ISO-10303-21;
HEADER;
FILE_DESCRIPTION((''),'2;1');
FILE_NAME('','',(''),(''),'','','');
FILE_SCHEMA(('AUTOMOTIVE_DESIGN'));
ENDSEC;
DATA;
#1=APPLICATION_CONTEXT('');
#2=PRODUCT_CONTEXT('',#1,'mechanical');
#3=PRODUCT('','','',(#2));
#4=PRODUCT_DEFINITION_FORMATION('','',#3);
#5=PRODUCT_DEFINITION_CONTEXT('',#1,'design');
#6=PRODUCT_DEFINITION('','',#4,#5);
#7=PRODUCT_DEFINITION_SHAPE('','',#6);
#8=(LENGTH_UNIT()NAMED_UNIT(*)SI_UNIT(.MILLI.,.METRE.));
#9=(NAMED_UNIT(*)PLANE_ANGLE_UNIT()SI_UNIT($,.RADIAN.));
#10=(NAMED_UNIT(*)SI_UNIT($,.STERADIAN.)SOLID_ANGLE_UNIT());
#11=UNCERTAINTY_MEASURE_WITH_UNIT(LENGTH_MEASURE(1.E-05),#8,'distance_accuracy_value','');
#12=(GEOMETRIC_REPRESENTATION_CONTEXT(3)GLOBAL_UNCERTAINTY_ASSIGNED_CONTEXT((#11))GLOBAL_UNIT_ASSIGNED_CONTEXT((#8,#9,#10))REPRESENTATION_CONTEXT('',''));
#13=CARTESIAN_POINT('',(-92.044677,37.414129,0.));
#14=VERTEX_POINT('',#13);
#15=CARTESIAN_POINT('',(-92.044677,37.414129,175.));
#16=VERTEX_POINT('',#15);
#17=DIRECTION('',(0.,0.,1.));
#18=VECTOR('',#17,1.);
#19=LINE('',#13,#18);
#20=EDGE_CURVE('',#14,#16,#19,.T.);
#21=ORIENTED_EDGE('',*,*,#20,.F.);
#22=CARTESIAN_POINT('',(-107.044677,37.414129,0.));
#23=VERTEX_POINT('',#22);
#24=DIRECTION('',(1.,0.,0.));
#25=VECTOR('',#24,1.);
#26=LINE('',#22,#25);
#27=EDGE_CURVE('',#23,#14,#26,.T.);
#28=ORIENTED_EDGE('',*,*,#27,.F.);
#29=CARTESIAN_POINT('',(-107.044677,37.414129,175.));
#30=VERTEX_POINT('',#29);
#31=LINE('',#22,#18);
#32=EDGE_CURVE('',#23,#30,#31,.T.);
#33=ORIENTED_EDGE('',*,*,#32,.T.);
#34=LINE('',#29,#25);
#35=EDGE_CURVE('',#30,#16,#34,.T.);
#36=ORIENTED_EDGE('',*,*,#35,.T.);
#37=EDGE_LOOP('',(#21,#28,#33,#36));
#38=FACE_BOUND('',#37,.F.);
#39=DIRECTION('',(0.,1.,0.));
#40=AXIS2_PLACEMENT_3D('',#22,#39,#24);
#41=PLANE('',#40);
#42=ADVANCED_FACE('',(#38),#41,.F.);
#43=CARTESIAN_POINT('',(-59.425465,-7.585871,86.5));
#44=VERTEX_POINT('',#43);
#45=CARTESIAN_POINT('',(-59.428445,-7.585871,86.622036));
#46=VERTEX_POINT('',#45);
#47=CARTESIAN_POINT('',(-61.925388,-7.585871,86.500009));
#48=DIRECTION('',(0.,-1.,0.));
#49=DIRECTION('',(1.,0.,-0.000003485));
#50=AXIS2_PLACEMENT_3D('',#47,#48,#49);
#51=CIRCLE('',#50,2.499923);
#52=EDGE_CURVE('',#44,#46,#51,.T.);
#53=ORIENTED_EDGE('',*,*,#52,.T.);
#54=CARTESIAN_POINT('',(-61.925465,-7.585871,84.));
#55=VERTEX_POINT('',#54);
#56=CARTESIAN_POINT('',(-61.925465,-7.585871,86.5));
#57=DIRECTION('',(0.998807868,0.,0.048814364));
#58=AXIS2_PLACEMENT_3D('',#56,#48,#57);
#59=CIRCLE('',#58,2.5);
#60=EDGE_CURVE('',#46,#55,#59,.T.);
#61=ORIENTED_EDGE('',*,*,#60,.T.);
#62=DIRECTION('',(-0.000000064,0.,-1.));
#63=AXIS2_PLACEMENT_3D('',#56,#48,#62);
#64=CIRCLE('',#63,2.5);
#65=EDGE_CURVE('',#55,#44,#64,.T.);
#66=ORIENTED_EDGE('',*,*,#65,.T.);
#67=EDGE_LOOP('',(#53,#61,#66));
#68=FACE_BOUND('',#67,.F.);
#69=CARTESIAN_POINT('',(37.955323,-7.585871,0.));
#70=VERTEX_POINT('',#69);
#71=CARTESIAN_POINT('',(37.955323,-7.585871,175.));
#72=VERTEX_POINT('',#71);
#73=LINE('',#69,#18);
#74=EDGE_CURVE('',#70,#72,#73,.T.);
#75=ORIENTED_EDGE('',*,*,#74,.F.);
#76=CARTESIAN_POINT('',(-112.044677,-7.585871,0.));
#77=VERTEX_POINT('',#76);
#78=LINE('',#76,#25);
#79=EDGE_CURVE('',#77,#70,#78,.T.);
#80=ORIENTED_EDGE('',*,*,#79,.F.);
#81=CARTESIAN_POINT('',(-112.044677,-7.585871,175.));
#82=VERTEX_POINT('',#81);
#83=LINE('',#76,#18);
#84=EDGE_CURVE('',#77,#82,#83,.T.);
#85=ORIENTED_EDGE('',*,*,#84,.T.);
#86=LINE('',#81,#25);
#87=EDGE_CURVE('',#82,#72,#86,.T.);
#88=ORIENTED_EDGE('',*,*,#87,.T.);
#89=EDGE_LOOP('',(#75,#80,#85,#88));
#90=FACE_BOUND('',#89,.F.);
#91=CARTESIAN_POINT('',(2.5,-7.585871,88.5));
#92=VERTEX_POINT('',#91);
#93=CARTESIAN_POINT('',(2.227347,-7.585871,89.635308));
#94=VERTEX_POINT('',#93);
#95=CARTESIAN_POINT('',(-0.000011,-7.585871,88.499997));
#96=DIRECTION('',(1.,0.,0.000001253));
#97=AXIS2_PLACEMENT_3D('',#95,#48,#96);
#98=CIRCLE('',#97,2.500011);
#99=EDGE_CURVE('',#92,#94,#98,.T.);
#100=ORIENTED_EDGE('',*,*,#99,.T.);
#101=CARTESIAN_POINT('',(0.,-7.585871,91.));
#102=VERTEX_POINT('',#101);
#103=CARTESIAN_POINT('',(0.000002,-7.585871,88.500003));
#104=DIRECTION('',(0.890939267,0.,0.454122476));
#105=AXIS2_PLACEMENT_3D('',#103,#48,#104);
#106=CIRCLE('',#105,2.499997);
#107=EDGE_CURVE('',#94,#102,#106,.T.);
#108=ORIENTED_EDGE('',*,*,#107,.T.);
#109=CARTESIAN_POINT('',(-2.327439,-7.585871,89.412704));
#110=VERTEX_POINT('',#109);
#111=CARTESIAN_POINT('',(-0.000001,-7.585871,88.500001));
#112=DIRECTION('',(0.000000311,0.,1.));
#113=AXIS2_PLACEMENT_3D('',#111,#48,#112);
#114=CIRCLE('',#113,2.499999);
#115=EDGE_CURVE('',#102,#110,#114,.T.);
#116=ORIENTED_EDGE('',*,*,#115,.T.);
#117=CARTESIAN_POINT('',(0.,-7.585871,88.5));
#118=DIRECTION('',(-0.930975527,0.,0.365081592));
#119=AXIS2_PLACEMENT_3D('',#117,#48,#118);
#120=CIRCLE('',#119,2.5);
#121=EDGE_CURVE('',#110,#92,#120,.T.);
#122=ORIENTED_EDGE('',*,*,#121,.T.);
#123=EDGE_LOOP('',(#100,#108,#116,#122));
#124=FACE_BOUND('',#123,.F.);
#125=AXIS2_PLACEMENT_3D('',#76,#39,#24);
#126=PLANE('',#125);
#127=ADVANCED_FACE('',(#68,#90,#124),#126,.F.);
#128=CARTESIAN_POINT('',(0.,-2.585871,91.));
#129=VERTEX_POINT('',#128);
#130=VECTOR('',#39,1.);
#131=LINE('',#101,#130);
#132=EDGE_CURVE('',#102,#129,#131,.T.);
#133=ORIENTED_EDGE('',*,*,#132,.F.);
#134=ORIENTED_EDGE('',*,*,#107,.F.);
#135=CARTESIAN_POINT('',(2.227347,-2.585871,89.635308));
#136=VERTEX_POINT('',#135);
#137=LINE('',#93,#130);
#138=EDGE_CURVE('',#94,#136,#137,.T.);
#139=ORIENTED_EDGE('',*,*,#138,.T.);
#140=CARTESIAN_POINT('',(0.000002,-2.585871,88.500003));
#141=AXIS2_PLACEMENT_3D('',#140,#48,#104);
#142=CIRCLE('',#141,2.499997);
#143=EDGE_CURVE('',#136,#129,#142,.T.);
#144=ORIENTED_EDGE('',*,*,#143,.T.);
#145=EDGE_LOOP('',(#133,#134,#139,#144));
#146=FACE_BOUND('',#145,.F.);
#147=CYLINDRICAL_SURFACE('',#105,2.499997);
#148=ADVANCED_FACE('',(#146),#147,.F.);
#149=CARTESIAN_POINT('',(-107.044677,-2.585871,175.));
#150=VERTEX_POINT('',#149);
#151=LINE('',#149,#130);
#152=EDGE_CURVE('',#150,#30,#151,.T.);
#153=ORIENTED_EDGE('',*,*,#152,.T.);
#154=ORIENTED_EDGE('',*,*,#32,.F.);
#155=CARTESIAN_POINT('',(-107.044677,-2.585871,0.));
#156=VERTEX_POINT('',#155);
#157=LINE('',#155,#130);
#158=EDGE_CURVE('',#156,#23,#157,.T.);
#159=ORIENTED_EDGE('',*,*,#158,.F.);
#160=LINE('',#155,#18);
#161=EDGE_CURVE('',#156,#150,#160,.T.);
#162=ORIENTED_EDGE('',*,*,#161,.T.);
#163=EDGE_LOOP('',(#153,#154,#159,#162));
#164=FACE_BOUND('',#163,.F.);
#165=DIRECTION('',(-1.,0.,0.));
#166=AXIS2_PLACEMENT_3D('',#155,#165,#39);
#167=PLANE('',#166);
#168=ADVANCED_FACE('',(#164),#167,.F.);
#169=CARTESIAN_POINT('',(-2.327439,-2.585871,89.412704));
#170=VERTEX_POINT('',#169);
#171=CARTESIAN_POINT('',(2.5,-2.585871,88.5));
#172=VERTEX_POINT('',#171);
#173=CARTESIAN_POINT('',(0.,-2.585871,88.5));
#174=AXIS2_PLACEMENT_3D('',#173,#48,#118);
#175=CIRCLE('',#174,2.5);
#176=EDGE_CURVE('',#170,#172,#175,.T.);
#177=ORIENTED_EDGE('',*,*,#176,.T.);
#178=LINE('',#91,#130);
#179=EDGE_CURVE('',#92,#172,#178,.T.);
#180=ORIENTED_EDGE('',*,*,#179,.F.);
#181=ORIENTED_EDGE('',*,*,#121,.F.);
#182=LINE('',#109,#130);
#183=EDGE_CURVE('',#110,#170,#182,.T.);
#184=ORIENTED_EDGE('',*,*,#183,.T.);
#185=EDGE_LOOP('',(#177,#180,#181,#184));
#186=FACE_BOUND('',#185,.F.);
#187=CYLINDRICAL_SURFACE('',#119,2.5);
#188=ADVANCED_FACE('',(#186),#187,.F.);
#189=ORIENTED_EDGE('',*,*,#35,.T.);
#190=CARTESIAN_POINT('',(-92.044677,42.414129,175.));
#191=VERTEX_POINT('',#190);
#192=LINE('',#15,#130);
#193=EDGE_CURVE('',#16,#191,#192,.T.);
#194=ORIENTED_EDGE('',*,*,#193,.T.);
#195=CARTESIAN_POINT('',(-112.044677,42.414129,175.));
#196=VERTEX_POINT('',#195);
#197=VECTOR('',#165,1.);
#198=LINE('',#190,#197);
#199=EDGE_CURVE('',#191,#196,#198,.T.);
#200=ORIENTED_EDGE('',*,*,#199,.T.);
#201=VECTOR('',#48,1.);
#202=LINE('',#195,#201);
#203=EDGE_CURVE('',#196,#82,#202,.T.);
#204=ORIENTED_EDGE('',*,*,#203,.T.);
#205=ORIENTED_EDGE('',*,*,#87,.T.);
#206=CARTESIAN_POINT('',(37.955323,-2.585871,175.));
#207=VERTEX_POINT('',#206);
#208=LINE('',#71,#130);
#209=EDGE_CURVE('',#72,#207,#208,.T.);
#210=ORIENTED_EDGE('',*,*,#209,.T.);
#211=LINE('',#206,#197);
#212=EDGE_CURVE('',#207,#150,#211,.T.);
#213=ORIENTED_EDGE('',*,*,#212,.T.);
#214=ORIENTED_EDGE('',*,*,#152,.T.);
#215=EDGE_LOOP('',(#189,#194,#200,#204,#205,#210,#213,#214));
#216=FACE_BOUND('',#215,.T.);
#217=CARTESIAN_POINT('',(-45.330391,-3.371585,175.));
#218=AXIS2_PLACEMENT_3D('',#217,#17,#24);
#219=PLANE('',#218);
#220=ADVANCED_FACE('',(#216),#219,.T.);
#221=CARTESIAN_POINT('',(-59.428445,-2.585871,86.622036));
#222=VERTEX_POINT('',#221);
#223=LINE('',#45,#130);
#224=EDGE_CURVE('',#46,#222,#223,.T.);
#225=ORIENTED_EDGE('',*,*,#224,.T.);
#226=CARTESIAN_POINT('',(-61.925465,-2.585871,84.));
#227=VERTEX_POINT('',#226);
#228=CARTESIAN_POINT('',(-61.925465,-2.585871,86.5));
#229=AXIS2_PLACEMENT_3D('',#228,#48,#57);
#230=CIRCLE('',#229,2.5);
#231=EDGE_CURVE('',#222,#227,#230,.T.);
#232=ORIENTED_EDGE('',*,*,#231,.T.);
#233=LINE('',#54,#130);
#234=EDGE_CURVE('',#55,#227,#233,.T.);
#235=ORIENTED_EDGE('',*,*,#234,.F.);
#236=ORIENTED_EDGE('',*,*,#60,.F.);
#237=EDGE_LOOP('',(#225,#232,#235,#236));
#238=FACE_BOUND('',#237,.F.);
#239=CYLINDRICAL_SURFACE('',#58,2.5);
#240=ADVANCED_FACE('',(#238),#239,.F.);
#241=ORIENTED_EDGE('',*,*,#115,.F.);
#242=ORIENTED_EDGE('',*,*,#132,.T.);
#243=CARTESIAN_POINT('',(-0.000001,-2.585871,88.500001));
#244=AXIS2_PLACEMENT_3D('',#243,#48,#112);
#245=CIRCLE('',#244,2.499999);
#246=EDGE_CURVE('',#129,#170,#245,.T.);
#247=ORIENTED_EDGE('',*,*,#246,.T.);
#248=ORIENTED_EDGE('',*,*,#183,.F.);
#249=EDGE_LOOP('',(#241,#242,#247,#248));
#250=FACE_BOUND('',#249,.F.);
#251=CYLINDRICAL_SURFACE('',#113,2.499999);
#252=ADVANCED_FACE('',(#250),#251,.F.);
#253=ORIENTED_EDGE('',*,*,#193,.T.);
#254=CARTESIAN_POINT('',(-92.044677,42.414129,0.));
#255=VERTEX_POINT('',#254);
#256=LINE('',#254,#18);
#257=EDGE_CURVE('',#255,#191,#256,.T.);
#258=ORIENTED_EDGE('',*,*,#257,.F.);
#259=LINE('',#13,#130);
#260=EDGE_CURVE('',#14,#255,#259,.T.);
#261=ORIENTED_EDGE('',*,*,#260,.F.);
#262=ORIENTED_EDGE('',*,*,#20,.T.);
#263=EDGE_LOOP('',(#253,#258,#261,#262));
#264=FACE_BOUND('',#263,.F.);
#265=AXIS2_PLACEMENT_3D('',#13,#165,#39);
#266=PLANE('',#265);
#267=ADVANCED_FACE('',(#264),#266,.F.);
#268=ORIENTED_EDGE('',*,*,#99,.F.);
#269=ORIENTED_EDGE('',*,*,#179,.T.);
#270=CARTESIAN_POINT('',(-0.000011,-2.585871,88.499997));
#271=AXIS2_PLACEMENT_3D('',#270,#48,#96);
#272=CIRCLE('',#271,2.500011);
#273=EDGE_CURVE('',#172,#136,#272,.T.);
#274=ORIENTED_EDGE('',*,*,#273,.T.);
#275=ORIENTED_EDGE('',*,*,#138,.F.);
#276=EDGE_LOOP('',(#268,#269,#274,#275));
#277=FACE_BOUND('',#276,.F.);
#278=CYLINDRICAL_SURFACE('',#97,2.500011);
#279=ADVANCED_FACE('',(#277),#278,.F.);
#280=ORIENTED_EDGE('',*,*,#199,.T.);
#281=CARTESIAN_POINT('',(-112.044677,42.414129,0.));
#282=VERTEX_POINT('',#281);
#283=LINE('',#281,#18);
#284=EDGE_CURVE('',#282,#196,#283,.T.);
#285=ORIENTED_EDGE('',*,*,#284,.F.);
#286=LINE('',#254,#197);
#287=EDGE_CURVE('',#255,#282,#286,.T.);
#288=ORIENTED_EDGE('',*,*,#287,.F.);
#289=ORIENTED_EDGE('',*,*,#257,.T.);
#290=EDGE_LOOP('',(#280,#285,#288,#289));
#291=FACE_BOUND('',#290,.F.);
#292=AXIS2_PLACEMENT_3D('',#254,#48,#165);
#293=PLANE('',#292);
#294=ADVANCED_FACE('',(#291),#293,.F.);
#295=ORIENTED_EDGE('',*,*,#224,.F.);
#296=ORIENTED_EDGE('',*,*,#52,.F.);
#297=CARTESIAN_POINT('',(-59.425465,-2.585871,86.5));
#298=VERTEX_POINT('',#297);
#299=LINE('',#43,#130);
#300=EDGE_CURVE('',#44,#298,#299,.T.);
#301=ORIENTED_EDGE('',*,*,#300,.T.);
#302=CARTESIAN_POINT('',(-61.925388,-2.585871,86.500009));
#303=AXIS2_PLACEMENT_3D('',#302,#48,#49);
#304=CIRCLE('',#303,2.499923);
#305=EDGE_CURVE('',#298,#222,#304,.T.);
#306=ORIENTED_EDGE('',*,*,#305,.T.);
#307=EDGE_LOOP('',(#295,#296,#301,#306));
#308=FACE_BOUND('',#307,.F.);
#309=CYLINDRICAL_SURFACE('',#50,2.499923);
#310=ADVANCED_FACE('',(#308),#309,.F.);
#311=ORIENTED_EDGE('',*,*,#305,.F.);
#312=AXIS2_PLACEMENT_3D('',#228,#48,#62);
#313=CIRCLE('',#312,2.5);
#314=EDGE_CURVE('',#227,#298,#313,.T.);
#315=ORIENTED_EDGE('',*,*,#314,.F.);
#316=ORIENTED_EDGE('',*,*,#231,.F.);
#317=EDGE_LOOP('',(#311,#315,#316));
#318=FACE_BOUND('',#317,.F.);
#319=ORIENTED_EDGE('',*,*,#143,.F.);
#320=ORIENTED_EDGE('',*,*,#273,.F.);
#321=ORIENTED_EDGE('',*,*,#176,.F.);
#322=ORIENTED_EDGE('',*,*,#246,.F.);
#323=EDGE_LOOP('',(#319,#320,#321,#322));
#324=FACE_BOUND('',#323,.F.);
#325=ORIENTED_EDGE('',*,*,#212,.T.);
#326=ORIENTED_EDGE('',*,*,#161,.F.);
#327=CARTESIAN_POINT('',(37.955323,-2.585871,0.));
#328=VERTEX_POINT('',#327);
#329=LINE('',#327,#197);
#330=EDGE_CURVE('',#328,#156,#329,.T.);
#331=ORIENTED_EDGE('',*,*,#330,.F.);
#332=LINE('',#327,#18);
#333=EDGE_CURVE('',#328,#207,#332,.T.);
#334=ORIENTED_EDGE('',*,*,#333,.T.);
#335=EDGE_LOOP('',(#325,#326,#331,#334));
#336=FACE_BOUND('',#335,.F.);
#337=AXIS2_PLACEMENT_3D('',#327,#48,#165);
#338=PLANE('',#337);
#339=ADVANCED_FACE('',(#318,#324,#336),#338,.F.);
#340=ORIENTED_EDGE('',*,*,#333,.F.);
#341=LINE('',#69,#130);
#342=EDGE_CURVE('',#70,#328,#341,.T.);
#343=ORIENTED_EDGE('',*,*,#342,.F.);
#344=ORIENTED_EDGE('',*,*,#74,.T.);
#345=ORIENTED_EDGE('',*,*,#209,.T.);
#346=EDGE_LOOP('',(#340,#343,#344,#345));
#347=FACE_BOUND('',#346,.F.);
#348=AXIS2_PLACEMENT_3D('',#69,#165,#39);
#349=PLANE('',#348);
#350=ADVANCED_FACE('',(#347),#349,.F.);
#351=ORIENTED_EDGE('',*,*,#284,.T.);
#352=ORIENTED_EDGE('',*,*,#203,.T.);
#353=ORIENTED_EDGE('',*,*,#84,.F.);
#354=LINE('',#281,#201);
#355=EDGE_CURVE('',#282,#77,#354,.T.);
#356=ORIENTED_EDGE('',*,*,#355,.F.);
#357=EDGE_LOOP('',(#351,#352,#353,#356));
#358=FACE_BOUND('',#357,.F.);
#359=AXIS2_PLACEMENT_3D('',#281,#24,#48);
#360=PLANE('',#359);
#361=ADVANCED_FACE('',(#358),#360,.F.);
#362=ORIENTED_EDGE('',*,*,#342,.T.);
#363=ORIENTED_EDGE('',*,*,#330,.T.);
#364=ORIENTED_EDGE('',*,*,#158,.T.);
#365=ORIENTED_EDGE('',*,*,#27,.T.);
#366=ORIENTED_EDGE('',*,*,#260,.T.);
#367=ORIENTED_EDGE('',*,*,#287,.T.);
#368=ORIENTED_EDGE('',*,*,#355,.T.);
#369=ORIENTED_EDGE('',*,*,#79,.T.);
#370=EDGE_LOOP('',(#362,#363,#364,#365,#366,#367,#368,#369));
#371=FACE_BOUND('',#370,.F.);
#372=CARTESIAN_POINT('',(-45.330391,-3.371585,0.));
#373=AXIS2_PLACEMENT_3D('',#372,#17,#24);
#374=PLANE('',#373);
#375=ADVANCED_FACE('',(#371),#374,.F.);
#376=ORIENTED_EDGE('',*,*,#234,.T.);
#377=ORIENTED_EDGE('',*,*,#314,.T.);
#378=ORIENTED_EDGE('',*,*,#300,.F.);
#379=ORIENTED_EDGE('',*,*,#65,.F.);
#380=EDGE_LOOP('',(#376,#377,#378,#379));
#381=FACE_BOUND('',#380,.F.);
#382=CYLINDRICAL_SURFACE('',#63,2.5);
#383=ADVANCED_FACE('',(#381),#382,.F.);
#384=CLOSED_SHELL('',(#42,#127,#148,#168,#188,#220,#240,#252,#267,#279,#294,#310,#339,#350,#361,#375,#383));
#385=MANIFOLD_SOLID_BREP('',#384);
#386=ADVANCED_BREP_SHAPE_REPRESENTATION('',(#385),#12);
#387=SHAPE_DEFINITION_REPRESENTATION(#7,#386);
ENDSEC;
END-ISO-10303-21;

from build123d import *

# Parameters (mm, degrees)
F1_DEPTH = 175
F3_DEPTH = 25
F4_DEPTH = 25


with BuildPart() as f1:
    # F0 (on Top) → F1 (new body)
    with BuildSketch(Plane.XY):
        Polygon((-112.044677, 17.414129), (-112.044677, -7.585871), (37.955323, -7.585871), (37.955323, -2.585871), (-107.044677, -2.585871), (-107.044677, 17.414129), align=None)
        Polygon((-112.044677, 42.414129), (-112.044677, 17.414129), (-107.044677, 17.414129), (-107.044677, 37.414129), (-92.044677, 37.414129), (-92.044677, 42.414129), align=None)
    extrude(amount=F1_DEPTH)

    # F2 (on face) → F3 (cut)
    with BuildSketch(Plane.XZ.offset(7.585871)):
        with BuildLine():
            ThreePointArc((-2.327439, 89.412704), (-0.464437, 86.043519), (2.5, 88.5))
            Line((2.5, 88.5), (0, 88.5))
            Line((0, 88.5), (0, 89.526452))
            Line((0, 89.526452), (-2.327439, 89.412704))
        make_face()
    extrude(amount=-F3_DEPTH, mode=Mode.SUBTRACT)

    # F2 (on face) → F4 (cut)
    with BuildSketch(Plane.XZ.offset(7.585871)):
        with BuildLine():
            Line((0, 88.5), (2.5, 88.5))
            ThreePointArc((2.5, 88.5), (2.430881, 89.083794), (2.227347, 89.635308))
            Line((2.227347, 89.635308), (0, 89.526452))
            Line((0, 89.526452), (0, 88.5))
        make_face()
        with BuildLine():
            ThreePointArc((-59.425465, 86.5), (-59.42621, 86.561036), (-59.428445, 86.622036))
            Line((-59.428445, 86.622036), (-61.925465, 86.5))
            Line((-61.925465, 86.5), (-61.925465, 84))
            ThreePointArc((-61.925465, 84), (-60.157698, 84.732233), (-59.425465, 86.5))
        make_face()
        with BuildLine():
            Line((-61.925465, 86.5), (-59.428445, 86.622036))
            ThreePointArc((-59.428445, 86.622036), (-63.735864, 88.224081), (-61.925465, 84))
            Line((-61.925465, 84), (-61.925465, 86.5))
        make_face()
        with BuildLine():
            ThreePointArc((-2.327439, 89.412704), (-0.464437, 86.043519), (2.5, 88.5))
            Line((2.5, 88.5), (0, 88.5))
            Line((0, 88.5), (0, 89.526452))
            Line((0, 89.526452), (-2.327439, 89.412704))
        make_face()
        with BuildLine():
            Line((0, 89.526452), (2.227347, 89.635308))
            ThreePointArc((2.227347, 89.635308), (1.306088, 90.631698), (0, 91))
            Line((0, 91), (0, 89.526452))
        make_face()
        with BuildLine():
            ThreePointArc((0, 91), (-1.408588, 90.565401), (-2.327439, 89.412704))
            Line((-2.327439, 89.412704), (0, 89.526452))
            Line((0, 89.526452), (0, 91))
        make_face()
    extrude(amount=-F4_DEPTH, mode=Mode.SUBTRACT)


solid = f1.part
